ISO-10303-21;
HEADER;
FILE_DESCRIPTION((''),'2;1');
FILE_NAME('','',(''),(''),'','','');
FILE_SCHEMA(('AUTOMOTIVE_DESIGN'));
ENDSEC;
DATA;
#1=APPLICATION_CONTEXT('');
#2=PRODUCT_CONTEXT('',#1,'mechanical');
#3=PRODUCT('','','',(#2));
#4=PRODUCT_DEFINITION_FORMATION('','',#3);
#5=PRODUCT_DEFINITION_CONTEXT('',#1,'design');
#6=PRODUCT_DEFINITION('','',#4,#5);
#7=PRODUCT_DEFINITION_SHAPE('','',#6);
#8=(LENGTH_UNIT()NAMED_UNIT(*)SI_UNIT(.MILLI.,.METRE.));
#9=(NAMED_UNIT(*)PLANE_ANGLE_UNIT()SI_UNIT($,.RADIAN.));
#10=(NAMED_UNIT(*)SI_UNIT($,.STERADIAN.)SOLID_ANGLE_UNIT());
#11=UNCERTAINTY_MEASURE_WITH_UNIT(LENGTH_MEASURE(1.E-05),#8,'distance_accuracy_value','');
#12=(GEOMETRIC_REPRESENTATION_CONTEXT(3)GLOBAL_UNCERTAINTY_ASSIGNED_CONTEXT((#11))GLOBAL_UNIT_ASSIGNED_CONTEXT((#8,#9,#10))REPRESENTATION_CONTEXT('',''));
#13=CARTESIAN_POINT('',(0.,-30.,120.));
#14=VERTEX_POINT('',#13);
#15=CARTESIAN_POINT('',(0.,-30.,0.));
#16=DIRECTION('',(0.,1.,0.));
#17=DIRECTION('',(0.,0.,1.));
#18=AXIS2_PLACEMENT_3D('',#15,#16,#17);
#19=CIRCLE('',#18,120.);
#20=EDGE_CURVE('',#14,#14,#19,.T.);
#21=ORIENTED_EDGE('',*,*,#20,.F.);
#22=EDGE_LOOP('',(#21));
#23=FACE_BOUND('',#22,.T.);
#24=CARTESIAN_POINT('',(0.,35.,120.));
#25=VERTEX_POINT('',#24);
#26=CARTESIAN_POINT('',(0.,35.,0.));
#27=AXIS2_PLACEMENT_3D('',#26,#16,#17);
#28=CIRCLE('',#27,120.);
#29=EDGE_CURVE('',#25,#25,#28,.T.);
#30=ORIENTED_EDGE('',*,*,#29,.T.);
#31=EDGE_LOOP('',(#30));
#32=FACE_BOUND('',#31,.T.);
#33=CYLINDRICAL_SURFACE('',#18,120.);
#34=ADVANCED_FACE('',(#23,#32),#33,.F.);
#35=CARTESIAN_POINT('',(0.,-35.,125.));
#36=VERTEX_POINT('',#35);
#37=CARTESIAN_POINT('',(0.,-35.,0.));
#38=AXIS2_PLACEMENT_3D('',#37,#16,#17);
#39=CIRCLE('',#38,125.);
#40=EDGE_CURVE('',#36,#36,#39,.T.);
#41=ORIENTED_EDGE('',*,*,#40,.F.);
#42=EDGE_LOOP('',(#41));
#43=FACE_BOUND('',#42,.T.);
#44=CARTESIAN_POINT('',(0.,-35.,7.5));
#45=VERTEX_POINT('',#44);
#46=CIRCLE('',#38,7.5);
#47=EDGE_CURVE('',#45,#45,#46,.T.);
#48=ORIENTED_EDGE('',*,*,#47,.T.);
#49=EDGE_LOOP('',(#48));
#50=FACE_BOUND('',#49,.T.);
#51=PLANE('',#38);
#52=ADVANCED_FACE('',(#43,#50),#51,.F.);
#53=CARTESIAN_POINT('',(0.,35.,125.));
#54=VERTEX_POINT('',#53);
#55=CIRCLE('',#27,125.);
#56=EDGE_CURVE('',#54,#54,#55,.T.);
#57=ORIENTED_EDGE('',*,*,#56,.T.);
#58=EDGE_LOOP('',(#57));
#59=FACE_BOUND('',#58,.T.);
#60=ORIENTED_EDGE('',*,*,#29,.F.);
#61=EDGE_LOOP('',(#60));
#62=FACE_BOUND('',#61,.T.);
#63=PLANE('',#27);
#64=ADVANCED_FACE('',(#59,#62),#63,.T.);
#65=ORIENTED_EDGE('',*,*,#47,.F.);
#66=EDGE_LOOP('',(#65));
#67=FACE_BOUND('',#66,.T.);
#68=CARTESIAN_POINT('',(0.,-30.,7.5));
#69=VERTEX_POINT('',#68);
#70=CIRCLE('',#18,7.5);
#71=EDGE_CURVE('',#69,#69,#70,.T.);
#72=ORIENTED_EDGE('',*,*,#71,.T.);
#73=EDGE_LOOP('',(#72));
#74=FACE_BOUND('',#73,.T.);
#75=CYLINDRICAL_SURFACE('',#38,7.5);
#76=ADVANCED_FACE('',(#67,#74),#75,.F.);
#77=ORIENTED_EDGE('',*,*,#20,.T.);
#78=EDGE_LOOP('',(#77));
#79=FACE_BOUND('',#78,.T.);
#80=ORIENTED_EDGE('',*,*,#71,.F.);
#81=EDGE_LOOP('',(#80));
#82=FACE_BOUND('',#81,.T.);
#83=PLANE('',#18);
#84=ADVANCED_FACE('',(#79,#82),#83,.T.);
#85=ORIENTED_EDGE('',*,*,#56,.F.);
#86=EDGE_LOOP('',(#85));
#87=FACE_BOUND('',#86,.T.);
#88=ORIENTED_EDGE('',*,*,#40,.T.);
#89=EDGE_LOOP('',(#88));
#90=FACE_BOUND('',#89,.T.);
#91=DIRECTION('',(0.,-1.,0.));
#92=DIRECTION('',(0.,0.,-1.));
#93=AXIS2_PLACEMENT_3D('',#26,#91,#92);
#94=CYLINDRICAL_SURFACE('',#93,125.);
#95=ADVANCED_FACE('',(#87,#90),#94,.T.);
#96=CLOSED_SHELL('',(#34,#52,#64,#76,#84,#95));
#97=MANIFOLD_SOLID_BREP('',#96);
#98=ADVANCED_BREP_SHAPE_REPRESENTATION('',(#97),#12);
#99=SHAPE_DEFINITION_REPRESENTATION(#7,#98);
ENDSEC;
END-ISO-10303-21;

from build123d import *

# Parameters (mm, degrees)
SKETCH3_R           = 125
BOSS_EXTRUDE1_DEPTH = 35
SKETCH4_R           = 120
CUT_EXTRUDE1_DEPTH  = 65
SKETCH5_R           = 7.5
CUT_EXTRUDE2_DEPTH  = 189.348082018


with BuildPart() as part:
    # Sketch3 → Boss-Extrude1 (new, symmetric)
    with BuildSketch(Plane(origin=(0, 0, 0), x_dir=(1, 0, 0), z_dir=(0, 1, 0))):
        with Locations(Location((0, 0, 0), (0, 0, 270))):
            Circle(SKETCH3_R)
    extrude(amount=BOSS_EXTRUDE1_DEPTH, both=True)

    # Sketch4 → Cut-Extrude1 (cut)
    with BuildSketch(Plane(origin=(0, 35, 0), x_dir=(1, 0, 0), z_dir=(0, 1, 0))):
        with Locations(Location((0, 0, 0), (0, 0, 270))):
            Circle(SKETCH4_R)
    extrude(amount=-CUT_EXTRUDE1_DEPTH, mode=Mode.SUBTRACT)

    # Sketch5 → Cut-Extrude2 (cut, through all)
    with BuildSketch(Plane(origin=(0, -30, 0), x_dir=(1, 0, 0), z_dir=(0, 1, 0))):
        with Locations(Location((0, 0, 0), (0, 0, 270))):
            Circle(SKETCH5_R)
    extrude(amount=-CUT_EXTRUDE2_DEPTH, mode=Mode.SUBTRACT)


solid = part.part
